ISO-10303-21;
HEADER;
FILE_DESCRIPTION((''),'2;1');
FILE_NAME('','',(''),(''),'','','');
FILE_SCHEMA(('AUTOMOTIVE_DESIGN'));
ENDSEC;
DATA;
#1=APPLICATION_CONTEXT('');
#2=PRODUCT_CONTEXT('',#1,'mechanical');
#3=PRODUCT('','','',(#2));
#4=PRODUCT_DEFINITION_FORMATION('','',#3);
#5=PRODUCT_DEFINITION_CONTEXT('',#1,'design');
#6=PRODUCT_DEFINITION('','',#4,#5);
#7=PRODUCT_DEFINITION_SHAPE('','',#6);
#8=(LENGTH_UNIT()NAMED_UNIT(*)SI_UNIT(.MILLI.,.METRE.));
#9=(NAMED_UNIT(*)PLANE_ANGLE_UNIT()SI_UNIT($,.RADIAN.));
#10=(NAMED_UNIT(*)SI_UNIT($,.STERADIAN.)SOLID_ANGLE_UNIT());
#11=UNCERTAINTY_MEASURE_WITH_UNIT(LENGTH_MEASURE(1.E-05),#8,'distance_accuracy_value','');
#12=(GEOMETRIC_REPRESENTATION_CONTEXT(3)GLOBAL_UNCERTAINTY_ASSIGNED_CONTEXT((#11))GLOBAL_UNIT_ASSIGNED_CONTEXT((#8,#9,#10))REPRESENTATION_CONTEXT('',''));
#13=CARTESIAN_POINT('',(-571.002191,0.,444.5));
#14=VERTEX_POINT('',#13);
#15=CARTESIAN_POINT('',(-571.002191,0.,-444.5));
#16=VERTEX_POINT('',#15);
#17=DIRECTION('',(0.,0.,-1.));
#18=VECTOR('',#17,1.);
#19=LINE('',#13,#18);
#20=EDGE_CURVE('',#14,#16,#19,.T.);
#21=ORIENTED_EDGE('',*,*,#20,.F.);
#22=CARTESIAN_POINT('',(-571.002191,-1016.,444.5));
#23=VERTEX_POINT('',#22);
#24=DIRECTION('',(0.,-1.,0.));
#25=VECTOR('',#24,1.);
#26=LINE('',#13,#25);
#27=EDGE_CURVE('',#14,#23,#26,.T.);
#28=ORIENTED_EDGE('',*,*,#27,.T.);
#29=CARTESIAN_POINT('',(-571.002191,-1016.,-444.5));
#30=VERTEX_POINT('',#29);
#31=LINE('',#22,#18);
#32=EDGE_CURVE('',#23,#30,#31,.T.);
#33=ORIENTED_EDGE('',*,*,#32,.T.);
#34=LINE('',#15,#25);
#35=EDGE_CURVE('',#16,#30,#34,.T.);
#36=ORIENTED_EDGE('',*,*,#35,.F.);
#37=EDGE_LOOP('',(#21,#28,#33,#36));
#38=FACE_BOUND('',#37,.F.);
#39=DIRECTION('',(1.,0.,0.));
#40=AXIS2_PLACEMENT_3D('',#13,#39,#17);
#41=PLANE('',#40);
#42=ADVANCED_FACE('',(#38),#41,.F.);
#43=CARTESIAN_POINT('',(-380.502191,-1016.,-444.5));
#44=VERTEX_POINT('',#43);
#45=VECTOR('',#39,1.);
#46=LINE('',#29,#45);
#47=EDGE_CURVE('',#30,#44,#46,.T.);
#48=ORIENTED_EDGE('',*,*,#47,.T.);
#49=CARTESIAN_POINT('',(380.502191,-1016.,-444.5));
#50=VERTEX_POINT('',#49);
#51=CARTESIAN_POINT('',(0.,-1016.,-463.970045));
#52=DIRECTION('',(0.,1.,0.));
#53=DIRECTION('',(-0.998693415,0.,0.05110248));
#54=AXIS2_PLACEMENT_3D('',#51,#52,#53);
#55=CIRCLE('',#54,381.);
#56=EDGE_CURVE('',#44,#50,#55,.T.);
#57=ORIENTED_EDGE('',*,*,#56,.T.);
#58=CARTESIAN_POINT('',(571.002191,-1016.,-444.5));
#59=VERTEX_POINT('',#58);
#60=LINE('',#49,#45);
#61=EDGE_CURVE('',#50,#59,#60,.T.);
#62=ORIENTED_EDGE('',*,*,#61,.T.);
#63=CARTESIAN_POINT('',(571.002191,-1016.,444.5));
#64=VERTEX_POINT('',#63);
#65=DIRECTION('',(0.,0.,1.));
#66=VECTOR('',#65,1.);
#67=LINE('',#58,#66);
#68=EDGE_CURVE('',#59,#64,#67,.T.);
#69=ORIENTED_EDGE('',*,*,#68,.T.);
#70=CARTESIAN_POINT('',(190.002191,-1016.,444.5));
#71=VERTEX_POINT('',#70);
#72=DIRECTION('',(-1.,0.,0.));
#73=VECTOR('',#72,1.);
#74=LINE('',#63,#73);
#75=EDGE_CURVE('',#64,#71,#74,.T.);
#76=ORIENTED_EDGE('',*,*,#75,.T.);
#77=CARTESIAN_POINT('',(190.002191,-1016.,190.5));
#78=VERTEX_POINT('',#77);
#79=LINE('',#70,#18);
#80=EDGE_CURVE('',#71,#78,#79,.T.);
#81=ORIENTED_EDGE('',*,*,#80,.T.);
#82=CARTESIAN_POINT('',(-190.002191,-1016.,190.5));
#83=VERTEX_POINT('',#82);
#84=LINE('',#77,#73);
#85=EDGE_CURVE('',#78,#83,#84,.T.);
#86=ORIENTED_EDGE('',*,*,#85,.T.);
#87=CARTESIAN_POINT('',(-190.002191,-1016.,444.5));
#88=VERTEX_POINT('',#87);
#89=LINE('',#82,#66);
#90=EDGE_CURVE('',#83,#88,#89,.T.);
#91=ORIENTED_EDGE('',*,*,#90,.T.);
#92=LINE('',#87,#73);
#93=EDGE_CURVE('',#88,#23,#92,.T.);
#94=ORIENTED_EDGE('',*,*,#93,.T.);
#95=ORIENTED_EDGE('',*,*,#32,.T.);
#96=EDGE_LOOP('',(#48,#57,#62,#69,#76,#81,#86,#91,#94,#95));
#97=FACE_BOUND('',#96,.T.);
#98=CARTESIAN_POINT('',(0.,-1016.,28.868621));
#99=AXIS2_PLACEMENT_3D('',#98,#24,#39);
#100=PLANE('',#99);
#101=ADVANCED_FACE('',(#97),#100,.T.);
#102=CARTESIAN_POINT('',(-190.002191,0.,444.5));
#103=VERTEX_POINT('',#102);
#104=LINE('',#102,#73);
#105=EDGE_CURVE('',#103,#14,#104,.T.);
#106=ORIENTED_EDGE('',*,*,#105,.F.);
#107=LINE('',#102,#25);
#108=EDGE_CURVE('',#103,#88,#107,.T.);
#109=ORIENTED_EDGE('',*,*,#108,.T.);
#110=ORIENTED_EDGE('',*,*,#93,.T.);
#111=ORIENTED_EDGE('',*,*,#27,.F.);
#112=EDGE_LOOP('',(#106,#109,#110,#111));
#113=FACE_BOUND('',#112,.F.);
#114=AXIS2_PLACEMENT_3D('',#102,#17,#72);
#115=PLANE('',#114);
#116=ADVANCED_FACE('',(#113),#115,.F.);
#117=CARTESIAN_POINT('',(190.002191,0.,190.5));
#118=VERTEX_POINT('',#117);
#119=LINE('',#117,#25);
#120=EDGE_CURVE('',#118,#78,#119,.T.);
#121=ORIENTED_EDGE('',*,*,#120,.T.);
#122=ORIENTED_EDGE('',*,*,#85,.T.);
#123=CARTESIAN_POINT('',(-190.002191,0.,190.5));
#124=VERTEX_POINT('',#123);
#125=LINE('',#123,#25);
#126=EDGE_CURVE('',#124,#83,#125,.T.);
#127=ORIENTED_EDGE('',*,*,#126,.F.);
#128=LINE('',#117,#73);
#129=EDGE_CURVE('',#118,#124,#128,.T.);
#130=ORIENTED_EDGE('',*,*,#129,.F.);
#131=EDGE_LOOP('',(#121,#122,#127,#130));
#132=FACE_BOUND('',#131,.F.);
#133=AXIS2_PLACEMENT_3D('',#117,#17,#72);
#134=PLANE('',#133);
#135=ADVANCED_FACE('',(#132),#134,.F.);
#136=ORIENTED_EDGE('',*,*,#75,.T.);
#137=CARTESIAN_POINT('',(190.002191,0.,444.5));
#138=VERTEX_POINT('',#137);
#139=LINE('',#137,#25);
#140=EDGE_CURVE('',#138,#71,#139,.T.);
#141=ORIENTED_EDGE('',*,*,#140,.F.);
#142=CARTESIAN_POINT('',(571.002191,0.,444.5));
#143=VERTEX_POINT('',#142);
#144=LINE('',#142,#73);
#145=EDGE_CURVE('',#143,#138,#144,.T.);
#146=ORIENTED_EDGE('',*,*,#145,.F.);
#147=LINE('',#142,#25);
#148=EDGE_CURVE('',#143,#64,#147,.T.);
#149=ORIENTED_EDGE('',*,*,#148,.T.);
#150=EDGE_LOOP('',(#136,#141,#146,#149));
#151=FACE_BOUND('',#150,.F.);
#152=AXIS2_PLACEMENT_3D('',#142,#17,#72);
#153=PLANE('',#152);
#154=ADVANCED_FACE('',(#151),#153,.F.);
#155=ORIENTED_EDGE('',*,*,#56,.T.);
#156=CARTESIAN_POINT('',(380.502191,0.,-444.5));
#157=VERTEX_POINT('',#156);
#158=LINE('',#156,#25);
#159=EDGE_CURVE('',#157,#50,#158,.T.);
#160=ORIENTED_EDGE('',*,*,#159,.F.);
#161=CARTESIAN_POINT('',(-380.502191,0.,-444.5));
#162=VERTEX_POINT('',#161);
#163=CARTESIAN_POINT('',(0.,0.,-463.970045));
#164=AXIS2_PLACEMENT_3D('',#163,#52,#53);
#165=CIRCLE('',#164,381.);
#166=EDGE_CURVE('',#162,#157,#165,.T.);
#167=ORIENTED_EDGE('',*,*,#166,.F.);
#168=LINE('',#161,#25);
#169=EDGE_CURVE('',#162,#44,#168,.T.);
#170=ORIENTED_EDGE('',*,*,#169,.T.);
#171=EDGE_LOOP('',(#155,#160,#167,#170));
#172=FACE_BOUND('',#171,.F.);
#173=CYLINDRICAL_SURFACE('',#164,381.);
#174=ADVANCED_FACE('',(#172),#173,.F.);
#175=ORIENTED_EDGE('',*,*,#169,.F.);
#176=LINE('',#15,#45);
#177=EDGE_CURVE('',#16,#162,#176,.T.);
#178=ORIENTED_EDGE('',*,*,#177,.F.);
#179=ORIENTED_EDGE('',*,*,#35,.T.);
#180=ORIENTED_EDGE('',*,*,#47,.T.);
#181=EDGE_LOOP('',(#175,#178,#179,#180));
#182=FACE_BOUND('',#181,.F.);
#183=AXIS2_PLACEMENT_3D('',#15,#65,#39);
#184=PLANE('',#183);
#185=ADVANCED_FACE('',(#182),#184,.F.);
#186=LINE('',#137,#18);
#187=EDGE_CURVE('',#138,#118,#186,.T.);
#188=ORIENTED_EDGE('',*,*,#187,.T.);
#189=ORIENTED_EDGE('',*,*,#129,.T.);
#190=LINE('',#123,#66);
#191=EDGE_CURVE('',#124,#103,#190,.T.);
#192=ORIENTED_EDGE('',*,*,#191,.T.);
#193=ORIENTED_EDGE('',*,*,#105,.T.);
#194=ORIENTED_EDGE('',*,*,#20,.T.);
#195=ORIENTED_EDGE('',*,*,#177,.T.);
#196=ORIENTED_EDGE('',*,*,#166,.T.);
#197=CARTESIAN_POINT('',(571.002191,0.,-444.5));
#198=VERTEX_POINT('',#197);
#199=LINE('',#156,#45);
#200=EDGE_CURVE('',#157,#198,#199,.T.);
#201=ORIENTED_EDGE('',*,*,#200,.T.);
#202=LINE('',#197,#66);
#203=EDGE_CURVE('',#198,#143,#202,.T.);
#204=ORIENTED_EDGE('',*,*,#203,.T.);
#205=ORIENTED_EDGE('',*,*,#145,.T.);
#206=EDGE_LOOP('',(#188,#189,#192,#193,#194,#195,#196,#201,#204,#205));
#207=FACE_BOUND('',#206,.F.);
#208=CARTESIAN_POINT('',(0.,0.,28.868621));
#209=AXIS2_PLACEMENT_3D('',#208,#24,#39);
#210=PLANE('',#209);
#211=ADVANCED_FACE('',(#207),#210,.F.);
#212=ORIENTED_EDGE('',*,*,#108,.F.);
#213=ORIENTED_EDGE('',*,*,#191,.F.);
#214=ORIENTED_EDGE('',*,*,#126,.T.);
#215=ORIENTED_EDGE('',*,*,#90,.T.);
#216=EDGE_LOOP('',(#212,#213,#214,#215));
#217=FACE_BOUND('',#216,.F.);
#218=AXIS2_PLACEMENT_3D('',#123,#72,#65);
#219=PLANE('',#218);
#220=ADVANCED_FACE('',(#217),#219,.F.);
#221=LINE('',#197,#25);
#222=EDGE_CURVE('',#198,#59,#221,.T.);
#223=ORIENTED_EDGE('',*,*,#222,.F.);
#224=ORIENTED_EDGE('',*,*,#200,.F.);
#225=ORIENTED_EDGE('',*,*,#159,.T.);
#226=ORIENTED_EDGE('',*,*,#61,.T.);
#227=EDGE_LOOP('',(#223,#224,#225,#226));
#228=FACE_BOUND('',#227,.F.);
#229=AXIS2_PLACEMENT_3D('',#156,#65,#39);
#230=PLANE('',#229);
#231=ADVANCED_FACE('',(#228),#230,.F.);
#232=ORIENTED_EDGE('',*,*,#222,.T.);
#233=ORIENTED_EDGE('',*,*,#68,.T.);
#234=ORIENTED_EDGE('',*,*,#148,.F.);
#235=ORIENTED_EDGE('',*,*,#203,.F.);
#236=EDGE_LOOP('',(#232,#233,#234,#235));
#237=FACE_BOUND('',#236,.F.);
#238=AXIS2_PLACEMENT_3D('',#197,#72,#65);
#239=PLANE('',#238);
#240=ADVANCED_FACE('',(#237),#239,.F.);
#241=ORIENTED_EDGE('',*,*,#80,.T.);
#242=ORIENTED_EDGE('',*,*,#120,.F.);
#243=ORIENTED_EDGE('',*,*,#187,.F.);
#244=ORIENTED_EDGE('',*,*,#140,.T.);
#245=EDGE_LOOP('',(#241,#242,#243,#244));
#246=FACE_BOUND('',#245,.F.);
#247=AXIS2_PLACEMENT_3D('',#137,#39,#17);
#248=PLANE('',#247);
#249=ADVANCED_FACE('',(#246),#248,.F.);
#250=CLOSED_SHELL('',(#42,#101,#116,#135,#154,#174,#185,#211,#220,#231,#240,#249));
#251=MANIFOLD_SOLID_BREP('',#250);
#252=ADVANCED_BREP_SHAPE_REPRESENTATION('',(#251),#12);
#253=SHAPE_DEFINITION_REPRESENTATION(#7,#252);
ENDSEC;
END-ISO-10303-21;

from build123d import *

# Parameters (mm, degrees)
F1_DEPTH = 1016


with BuildPart() as f1:
    # F0 (on Front) → F1 (new body)
    with BuildSketch(Plane.XZ):
        with BuildLine():
            Line((-190.002191, 444.5), (-571.002191, 444.5))
            Line((-571.002191, 444.5), (-571.002191, -444.5))
            Line((-571.002191, -444.5), (-380.502191, -444.5))
            ThreePointArc((-380.502191, -444.5), (0, -82.970045), (380.502191, -444.5))
            Line((380.502191, -444.5), (571.002191, -444.5))
            Line((571.002191, -444.5), (571.002191, 444.5))
            Line((571.002191, 444.5), (190.002191, 444.5))
            Line((190.002191, 444.5), (190.002191, 190.5))
            Line((190.002191, 190.5), (-190.002191, 190.5))
            Line((-190.002191, 190.5), (-190.002191, 444.5))
        make_face()
    extrude(amount=F1_DEPTH)


solid = f1.part
